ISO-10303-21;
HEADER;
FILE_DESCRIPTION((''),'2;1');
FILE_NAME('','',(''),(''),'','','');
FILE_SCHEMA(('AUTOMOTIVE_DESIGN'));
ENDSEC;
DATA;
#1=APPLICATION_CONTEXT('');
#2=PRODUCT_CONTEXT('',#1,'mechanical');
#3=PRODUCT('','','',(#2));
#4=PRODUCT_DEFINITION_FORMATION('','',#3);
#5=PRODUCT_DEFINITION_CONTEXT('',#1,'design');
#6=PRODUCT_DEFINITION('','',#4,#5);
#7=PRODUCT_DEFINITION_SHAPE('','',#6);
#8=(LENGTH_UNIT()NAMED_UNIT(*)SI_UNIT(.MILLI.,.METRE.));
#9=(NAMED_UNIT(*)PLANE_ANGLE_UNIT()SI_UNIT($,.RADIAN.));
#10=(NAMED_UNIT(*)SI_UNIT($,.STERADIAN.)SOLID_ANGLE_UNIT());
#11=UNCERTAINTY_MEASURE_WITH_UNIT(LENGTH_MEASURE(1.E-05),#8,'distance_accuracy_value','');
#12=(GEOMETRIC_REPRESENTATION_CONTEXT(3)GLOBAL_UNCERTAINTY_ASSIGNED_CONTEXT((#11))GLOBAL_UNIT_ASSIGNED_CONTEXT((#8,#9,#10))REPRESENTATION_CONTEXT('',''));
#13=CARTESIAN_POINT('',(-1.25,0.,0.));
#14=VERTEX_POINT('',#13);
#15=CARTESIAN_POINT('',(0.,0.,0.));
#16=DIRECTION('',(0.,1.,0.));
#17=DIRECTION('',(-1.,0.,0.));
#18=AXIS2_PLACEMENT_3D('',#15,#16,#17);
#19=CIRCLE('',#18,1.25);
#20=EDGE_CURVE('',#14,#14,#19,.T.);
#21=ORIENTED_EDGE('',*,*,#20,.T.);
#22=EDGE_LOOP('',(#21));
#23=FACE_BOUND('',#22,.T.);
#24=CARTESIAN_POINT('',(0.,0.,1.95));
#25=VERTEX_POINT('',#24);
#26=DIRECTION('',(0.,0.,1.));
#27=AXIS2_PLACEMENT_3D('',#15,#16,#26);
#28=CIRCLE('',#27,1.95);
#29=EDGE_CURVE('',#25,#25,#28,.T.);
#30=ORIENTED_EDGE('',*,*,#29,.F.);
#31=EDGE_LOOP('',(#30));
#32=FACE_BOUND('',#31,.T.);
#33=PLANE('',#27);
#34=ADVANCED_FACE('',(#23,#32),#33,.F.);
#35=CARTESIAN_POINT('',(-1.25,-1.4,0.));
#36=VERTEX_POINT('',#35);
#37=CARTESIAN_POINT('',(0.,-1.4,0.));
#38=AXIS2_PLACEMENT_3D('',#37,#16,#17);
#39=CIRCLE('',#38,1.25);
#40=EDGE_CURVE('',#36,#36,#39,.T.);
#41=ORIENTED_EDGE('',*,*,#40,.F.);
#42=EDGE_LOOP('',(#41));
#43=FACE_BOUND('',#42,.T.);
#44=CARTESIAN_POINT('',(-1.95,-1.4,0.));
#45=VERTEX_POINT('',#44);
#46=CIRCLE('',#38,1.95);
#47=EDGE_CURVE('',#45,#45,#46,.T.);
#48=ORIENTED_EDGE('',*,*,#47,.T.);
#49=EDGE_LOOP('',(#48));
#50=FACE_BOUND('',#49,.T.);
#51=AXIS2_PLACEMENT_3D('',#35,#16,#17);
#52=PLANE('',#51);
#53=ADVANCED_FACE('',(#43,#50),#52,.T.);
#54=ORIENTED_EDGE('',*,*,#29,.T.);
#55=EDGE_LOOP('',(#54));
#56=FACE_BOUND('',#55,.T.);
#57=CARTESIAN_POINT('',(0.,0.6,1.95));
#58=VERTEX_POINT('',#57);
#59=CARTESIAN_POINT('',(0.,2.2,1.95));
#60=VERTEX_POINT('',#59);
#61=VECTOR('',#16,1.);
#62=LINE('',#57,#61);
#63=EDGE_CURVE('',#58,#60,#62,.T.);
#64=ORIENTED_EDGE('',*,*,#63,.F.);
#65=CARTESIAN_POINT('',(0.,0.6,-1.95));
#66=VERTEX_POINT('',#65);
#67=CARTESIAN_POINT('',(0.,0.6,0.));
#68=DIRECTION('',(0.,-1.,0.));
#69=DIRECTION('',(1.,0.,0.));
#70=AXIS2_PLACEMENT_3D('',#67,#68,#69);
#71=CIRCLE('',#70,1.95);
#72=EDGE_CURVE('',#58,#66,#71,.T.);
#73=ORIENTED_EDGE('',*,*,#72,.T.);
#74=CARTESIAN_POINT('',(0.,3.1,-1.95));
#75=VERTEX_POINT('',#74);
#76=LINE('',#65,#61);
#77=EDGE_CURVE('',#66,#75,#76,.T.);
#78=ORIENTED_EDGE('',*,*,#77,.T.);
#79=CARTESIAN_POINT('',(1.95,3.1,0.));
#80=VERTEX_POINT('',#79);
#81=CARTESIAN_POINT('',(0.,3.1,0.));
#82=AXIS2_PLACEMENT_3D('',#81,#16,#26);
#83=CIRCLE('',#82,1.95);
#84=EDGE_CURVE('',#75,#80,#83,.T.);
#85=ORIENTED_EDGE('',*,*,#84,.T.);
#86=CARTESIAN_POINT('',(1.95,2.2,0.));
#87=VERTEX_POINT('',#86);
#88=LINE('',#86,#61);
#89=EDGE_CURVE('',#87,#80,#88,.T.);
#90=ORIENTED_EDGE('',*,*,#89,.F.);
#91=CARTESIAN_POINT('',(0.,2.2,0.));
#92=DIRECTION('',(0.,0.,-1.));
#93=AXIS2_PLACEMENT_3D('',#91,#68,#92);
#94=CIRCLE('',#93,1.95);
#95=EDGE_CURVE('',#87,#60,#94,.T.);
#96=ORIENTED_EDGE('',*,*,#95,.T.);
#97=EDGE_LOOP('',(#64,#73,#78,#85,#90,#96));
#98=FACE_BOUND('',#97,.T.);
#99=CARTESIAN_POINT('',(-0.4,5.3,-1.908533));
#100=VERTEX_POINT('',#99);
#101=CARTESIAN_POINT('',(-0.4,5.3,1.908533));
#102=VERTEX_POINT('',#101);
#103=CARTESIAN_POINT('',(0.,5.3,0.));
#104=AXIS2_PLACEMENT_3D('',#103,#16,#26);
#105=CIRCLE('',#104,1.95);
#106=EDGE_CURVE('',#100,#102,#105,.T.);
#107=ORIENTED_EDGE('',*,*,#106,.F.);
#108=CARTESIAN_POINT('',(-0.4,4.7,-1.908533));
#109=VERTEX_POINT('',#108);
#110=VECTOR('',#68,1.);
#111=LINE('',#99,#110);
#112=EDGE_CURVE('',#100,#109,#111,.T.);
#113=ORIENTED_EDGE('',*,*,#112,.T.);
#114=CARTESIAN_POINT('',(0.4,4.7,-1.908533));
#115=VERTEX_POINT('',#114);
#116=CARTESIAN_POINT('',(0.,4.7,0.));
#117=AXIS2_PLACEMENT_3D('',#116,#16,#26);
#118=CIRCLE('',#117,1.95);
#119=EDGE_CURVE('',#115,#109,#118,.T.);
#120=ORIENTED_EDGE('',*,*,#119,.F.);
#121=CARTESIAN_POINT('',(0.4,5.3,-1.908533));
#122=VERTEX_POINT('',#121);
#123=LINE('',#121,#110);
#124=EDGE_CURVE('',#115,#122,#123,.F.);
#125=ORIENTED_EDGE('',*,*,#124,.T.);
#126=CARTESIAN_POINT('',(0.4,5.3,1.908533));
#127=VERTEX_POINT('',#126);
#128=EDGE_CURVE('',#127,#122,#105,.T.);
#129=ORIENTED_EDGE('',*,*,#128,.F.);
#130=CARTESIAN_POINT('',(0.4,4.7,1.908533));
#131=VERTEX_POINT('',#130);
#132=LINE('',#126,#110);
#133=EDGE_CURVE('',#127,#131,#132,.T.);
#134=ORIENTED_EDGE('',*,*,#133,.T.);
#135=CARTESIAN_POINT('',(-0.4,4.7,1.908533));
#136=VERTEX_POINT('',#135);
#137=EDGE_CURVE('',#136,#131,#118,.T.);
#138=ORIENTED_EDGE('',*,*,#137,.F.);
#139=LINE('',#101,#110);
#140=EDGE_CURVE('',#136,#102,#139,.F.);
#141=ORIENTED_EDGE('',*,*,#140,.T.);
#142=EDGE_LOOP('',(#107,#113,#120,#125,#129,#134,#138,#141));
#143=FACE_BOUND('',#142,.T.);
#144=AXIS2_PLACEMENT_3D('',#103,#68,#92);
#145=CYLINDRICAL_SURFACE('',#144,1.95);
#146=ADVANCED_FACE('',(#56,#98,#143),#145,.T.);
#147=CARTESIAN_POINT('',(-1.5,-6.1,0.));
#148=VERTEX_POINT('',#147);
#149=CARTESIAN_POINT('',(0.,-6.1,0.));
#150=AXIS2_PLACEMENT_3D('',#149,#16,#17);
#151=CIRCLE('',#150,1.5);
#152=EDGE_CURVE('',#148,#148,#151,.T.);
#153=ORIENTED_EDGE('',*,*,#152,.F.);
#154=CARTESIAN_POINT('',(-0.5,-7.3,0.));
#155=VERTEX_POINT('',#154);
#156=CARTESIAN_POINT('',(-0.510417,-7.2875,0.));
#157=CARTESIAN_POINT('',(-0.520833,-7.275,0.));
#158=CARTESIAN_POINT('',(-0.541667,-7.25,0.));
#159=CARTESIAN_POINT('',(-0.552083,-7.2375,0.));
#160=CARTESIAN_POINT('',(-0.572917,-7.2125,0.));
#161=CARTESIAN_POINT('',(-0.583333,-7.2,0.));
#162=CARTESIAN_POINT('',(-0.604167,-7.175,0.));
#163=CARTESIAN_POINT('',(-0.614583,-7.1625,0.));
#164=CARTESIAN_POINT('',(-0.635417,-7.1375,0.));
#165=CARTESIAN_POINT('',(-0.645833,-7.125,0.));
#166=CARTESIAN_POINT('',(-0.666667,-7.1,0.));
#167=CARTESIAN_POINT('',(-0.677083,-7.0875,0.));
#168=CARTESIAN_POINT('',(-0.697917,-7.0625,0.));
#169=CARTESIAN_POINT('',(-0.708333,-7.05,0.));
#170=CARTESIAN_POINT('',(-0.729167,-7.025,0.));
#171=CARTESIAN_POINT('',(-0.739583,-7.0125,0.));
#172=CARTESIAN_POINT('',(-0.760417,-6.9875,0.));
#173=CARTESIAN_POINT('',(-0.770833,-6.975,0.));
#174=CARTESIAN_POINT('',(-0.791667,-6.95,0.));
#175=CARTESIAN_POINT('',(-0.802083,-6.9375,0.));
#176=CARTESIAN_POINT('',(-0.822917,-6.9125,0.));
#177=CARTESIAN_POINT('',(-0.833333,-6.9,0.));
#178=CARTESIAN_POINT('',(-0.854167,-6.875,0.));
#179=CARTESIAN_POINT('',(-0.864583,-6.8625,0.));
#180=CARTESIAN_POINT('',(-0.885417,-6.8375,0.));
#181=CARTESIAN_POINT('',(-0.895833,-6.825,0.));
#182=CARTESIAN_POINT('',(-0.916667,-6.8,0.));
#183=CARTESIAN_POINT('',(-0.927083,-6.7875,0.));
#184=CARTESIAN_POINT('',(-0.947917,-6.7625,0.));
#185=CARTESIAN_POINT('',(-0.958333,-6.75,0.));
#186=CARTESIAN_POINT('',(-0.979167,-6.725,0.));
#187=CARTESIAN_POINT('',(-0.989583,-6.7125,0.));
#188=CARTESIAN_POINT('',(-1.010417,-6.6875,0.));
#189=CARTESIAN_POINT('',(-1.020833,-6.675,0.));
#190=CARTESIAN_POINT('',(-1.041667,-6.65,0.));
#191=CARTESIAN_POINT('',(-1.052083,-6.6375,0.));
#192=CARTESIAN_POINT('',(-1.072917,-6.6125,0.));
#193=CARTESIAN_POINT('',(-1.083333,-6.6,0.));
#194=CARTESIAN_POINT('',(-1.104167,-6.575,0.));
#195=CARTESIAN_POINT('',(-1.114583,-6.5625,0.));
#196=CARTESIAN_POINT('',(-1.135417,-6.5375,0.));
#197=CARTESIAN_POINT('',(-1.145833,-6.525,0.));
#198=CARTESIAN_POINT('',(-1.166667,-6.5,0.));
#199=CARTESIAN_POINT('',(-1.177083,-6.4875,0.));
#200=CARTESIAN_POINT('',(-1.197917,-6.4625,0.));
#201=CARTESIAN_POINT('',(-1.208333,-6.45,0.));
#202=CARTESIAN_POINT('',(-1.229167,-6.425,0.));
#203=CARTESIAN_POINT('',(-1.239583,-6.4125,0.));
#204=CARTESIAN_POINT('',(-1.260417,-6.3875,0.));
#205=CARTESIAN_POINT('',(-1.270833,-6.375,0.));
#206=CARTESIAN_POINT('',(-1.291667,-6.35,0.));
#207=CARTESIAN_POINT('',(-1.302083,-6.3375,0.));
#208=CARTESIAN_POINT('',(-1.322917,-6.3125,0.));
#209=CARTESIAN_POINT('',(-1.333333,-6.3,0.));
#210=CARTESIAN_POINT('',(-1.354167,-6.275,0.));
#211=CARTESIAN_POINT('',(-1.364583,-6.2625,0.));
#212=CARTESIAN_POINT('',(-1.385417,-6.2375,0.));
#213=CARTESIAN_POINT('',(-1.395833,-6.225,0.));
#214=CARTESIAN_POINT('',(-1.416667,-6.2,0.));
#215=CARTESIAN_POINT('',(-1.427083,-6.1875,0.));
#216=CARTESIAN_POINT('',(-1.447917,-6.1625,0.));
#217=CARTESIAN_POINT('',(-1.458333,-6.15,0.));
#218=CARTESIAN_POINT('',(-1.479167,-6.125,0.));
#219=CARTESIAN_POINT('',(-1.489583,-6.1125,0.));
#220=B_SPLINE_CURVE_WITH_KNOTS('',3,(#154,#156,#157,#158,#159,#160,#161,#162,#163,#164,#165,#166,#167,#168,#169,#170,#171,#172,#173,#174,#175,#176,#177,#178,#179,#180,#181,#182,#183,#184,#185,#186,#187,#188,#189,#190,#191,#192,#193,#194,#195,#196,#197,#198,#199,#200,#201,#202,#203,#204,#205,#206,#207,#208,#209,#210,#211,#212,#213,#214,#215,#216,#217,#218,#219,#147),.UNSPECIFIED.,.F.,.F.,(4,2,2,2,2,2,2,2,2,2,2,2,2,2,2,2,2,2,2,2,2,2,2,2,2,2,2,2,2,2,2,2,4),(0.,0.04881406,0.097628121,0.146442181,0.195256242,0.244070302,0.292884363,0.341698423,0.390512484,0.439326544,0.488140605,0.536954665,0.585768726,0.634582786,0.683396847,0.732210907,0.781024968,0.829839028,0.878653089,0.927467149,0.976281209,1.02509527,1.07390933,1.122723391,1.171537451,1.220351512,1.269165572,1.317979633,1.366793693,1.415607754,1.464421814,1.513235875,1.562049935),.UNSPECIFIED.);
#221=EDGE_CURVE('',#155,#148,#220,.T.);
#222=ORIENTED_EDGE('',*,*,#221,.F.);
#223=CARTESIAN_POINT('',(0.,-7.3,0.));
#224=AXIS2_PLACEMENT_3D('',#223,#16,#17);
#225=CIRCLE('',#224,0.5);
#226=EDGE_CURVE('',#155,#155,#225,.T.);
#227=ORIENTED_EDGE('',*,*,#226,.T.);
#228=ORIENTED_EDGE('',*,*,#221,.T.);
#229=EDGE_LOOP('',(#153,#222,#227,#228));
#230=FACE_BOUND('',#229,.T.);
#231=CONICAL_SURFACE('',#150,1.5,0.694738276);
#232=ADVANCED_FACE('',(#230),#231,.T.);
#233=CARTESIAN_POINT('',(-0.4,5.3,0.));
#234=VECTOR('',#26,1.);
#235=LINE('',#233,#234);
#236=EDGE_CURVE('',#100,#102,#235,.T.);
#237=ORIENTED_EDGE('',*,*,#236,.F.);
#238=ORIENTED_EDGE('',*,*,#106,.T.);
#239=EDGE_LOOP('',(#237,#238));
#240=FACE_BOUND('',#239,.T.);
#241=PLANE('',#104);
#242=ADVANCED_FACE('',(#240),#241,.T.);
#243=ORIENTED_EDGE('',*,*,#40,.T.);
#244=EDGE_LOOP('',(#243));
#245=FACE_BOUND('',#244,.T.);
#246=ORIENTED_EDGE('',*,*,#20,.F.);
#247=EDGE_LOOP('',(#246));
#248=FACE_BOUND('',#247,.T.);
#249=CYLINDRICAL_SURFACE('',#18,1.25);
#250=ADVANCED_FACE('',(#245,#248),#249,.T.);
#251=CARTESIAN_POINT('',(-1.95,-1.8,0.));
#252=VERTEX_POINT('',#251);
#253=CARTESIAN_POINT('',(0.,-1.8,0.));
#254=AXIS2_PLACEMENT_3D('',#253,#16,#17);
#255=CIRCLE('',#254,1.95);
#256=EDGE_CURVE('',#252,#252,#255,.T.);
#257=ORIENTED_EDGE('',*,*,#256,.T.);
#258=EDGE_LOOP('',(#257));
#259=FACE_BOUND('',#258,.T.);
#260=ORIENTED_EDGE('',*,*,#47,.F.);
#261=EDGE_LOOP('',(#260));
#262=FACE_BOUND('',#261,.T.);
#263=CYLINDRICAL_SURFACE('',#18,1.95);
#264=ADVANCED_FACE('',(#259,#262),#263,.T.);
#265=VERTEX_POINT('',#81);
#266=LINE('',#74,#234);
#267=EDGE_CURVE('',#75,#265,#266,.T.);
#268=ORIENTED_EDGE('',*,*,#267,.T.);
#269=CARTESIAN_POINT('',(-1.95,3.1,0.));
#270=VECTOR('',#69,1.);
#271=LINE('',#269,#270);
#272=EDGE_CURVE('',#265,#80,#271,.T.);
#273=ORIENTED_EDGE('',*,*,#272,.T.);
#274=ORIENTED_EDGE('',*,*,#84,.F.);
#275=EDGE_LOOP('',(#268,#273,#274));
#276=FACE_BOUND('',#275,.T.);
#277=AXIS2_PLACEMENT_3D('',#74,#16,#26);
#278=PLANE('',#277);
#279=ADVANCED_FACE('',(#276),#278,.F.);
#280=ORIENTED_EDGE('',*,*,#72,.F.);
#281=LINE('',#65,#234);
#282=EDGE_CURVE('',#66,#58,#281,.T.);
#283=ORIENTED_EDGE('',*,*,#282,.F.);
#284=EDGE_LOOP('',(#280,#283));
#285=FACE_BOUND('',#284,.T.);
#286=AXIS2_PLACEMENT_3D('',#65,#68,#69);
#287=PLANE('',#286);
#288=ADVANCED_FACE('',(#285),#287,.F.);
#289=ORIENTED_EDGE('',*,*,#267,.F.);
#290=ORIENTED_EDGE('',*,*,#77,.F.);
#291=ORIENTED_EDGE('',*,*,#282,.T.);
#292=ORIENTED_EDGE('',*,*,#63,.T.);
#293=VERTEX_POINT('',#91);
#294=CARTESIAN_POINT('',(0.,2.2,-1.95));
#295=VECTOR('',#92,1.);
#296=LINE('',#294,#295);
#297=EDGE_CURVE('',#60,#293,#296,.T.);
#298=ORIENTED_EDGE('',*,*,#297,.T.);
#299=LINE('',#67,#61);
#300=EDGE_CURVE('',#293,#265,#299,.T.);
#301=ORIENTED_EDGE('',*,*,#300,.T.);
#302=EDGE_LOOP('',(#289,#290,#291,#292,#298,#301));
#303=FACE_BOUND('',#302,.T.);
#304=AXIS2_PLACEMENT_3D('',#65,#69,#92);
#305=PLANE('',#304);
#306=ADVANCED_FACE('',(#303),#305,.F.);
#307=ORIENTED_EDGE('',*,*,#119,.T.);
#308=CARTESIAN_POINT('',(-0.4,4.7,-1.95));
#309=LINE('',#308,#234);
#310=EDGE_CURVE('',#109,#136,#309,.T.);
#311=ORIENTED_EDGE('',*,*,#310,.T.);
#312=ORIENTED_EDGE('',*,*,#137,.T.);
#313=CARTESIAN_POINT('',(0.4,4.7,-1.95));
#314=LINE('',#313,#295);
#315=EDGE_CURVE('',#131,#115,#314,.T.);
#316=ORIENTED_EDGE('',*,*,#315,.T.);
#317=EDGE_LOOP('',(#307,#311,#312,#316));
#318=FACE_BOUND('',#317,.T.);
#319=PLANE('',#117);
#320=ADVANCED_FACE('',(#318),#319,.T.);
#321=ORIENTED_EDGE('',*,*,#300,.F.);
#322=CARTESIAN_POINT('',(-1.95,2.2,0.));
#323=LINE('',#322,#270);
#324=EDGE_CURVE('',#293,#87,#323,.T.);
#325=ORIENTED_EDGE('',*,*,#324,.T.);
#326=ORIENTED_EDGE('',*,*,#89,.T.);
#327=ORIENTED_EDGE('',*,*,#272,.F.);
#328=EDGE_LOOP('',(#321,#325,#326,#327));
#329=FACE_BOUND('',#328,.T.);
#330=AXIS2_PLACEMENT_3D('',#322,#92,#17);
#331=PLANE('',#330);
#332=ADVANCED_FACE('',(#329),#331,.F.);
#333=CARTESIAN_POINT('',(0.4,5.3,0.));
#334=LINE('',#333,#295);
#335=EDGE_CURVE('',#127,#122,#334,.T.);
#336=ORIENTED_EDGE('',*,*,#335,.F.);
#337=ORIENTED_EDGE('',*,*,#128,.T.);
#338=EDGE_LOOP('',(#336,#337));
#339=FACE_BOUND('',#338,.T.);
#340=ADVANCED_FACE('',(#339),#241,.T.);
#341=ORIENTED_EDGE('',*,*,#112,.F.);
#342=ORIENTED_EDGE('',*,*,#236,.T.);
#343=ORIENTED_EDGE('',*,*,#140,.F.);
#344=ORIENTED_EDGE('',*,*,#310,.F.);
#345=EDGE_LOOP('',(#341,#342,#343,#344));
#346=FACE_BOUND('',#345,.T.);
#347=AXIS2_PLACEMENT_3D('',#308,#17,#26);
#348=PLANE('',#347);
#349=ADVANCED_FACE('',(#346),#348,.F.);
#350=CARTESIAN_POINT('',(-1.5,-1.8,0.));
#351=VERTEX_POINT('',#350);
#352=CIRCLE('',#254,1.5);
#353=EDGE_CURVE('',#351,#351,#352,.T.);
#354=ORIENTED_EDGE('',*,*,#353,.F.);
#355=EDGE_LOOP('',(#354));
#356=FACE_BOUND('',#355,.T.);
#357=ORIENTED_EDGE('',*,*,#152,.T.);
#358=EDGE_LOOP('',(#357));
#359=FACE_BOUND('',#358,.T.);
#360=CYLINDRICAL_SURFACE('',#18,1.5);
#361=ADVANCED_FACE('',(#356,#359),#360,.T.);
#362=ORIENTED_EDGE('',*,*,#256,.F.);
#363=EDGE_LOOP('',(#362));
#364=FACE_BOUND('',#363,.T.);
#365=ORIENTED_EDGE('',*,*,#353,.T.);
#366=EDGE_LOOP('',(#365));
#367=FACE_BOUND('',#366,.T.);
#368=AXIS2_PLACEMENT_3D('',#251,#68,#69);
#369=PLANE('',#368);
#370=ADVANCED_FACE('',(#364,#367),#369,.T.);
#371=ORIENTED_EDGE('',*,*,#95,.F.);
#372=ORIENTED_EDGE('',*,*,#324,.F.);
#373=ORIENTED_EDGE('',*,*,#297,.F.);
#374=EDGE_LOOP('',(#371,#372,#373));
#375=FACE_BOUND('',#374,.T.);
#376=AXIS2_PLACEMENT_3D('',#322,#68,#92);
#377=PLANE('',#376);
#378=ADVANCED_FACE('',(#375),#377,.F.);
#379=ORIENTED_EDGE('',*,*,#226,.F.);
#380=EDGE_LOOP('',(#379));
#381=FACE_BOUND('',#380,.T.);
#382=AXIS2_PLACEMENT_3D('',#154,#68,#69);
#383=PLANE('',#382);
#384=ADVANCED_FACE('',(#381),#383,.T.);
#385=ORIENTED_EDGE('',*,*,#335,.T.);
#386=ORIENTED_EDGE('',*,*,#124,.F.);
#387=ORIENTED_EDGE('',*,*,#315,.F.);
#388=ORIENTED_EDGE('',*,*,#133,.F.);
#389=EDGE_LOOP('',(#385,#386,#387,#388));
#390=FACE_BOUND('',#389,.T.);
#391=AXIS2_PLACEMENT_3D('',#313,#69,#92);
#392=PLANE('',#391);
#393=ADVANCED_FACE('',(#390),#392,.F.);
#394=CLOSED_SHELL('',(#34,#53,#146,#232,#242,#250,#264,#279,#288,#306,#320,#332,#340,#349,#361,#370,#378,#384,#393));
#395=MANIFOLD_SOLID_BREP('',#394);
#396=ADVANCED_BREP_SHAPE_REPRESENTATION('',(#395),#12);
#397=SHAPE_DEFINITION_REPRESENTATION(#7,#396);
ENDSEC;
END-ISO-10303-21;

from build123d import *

# Parameters (mm, degrees)
BASES_R              = 1.95
BASE_DEPTH           = 5.3
SCREWSLOTS_W         = 0.8
SCREWSLOTS_H         = 3.9
SCREWSLOT_DEPTH      = 0.6
MAINSLOT_DEPTH       = 6.97452927
MAINSLOT_DEPTH_BACK  = 6.97452927
MAINSLOTS_W          = 1.95
MAINSLOTS_H          = 2.5
SMALLSLOT_DEPTH      = 6.97452927
SMALLSLOT_DEPTH_BACK = 6.97452927
SMALLSLOTS_W         = 1.95
SMALLSLOTS_H         = 0.9


with BuildPart() as part:
    # BaseS → Base (new body)
    with BuildSketch(Plane(origin=(0, 0, 0), x_dir=(1, 0, 0), z_dir=(0, 1, 0))):
        Circle(BASES_R)
    extrude(amount=BASE_DEPTH)

    # ScrewSlotS → ScrewSlot (cut)
    with BuildSketch(Plane(origin=(0, 5.3, 0), x_dir=(1, 0, 0), z_dir=(0, 1, 0))):
        Rectangle(SCREWSLOTS_W, SCREWSLOTS_H)
    extrude(amount=-SCREWSLOT_DEPTH, mode=Mode.SUBTRACT)

    # MainSlotS → MainSlot (cut, two sides: drawn at the far end of the back side and taken through both)
    with BuildSketch(Plane.XY.offset(-MAINSLOT_DEPTH_BACK)):
        with Locations((-0.975, 1.85)):
            Rectangle(MAINSLOTS_W, MAINSLOTS_H)
    extrude(amount=MAINSLOT_DEPTH + MAINSLOT_DEPTH_BACK, mode=Mode.SUBTRACT)

    # SmallSlotS → SmallSlot (cut, two sides: drawn at the far end of the back side and taken through both)
    with BuildSketch(Plane(origin=(0, 0, 0), x_dir=(0, 0, -1), z_dir=(1, 0, 0)).offset(-SMALLSLOT_DEPTH_BACK)):
        with Locations((-0.975, 2.65)):
            Rectangle(SMALLSLOTS_W, SMALLSLOTS_H)
    extrude(amount=SMALLSLOT_DEPTH + SMALLSLOT_DEPTH_BACK, mode=Mode.SUBTRACT)

    # O-RingBodyS → O-RingBody (revolve)
    with BuildSketch(Plane.XY):
        Polygon((-1.25, 0), (0, 0), (0, -7.3), (-0.5, -7.3), (-1.5, -6.1), (-1.5, -1.8), (-1.95, -1.8), (-1.95, -1.4), (-1.25, -1.4), align=None)
    revolve(axis=Axis((0, 0, 0), (0, -1, 0)))


solid = part.part
